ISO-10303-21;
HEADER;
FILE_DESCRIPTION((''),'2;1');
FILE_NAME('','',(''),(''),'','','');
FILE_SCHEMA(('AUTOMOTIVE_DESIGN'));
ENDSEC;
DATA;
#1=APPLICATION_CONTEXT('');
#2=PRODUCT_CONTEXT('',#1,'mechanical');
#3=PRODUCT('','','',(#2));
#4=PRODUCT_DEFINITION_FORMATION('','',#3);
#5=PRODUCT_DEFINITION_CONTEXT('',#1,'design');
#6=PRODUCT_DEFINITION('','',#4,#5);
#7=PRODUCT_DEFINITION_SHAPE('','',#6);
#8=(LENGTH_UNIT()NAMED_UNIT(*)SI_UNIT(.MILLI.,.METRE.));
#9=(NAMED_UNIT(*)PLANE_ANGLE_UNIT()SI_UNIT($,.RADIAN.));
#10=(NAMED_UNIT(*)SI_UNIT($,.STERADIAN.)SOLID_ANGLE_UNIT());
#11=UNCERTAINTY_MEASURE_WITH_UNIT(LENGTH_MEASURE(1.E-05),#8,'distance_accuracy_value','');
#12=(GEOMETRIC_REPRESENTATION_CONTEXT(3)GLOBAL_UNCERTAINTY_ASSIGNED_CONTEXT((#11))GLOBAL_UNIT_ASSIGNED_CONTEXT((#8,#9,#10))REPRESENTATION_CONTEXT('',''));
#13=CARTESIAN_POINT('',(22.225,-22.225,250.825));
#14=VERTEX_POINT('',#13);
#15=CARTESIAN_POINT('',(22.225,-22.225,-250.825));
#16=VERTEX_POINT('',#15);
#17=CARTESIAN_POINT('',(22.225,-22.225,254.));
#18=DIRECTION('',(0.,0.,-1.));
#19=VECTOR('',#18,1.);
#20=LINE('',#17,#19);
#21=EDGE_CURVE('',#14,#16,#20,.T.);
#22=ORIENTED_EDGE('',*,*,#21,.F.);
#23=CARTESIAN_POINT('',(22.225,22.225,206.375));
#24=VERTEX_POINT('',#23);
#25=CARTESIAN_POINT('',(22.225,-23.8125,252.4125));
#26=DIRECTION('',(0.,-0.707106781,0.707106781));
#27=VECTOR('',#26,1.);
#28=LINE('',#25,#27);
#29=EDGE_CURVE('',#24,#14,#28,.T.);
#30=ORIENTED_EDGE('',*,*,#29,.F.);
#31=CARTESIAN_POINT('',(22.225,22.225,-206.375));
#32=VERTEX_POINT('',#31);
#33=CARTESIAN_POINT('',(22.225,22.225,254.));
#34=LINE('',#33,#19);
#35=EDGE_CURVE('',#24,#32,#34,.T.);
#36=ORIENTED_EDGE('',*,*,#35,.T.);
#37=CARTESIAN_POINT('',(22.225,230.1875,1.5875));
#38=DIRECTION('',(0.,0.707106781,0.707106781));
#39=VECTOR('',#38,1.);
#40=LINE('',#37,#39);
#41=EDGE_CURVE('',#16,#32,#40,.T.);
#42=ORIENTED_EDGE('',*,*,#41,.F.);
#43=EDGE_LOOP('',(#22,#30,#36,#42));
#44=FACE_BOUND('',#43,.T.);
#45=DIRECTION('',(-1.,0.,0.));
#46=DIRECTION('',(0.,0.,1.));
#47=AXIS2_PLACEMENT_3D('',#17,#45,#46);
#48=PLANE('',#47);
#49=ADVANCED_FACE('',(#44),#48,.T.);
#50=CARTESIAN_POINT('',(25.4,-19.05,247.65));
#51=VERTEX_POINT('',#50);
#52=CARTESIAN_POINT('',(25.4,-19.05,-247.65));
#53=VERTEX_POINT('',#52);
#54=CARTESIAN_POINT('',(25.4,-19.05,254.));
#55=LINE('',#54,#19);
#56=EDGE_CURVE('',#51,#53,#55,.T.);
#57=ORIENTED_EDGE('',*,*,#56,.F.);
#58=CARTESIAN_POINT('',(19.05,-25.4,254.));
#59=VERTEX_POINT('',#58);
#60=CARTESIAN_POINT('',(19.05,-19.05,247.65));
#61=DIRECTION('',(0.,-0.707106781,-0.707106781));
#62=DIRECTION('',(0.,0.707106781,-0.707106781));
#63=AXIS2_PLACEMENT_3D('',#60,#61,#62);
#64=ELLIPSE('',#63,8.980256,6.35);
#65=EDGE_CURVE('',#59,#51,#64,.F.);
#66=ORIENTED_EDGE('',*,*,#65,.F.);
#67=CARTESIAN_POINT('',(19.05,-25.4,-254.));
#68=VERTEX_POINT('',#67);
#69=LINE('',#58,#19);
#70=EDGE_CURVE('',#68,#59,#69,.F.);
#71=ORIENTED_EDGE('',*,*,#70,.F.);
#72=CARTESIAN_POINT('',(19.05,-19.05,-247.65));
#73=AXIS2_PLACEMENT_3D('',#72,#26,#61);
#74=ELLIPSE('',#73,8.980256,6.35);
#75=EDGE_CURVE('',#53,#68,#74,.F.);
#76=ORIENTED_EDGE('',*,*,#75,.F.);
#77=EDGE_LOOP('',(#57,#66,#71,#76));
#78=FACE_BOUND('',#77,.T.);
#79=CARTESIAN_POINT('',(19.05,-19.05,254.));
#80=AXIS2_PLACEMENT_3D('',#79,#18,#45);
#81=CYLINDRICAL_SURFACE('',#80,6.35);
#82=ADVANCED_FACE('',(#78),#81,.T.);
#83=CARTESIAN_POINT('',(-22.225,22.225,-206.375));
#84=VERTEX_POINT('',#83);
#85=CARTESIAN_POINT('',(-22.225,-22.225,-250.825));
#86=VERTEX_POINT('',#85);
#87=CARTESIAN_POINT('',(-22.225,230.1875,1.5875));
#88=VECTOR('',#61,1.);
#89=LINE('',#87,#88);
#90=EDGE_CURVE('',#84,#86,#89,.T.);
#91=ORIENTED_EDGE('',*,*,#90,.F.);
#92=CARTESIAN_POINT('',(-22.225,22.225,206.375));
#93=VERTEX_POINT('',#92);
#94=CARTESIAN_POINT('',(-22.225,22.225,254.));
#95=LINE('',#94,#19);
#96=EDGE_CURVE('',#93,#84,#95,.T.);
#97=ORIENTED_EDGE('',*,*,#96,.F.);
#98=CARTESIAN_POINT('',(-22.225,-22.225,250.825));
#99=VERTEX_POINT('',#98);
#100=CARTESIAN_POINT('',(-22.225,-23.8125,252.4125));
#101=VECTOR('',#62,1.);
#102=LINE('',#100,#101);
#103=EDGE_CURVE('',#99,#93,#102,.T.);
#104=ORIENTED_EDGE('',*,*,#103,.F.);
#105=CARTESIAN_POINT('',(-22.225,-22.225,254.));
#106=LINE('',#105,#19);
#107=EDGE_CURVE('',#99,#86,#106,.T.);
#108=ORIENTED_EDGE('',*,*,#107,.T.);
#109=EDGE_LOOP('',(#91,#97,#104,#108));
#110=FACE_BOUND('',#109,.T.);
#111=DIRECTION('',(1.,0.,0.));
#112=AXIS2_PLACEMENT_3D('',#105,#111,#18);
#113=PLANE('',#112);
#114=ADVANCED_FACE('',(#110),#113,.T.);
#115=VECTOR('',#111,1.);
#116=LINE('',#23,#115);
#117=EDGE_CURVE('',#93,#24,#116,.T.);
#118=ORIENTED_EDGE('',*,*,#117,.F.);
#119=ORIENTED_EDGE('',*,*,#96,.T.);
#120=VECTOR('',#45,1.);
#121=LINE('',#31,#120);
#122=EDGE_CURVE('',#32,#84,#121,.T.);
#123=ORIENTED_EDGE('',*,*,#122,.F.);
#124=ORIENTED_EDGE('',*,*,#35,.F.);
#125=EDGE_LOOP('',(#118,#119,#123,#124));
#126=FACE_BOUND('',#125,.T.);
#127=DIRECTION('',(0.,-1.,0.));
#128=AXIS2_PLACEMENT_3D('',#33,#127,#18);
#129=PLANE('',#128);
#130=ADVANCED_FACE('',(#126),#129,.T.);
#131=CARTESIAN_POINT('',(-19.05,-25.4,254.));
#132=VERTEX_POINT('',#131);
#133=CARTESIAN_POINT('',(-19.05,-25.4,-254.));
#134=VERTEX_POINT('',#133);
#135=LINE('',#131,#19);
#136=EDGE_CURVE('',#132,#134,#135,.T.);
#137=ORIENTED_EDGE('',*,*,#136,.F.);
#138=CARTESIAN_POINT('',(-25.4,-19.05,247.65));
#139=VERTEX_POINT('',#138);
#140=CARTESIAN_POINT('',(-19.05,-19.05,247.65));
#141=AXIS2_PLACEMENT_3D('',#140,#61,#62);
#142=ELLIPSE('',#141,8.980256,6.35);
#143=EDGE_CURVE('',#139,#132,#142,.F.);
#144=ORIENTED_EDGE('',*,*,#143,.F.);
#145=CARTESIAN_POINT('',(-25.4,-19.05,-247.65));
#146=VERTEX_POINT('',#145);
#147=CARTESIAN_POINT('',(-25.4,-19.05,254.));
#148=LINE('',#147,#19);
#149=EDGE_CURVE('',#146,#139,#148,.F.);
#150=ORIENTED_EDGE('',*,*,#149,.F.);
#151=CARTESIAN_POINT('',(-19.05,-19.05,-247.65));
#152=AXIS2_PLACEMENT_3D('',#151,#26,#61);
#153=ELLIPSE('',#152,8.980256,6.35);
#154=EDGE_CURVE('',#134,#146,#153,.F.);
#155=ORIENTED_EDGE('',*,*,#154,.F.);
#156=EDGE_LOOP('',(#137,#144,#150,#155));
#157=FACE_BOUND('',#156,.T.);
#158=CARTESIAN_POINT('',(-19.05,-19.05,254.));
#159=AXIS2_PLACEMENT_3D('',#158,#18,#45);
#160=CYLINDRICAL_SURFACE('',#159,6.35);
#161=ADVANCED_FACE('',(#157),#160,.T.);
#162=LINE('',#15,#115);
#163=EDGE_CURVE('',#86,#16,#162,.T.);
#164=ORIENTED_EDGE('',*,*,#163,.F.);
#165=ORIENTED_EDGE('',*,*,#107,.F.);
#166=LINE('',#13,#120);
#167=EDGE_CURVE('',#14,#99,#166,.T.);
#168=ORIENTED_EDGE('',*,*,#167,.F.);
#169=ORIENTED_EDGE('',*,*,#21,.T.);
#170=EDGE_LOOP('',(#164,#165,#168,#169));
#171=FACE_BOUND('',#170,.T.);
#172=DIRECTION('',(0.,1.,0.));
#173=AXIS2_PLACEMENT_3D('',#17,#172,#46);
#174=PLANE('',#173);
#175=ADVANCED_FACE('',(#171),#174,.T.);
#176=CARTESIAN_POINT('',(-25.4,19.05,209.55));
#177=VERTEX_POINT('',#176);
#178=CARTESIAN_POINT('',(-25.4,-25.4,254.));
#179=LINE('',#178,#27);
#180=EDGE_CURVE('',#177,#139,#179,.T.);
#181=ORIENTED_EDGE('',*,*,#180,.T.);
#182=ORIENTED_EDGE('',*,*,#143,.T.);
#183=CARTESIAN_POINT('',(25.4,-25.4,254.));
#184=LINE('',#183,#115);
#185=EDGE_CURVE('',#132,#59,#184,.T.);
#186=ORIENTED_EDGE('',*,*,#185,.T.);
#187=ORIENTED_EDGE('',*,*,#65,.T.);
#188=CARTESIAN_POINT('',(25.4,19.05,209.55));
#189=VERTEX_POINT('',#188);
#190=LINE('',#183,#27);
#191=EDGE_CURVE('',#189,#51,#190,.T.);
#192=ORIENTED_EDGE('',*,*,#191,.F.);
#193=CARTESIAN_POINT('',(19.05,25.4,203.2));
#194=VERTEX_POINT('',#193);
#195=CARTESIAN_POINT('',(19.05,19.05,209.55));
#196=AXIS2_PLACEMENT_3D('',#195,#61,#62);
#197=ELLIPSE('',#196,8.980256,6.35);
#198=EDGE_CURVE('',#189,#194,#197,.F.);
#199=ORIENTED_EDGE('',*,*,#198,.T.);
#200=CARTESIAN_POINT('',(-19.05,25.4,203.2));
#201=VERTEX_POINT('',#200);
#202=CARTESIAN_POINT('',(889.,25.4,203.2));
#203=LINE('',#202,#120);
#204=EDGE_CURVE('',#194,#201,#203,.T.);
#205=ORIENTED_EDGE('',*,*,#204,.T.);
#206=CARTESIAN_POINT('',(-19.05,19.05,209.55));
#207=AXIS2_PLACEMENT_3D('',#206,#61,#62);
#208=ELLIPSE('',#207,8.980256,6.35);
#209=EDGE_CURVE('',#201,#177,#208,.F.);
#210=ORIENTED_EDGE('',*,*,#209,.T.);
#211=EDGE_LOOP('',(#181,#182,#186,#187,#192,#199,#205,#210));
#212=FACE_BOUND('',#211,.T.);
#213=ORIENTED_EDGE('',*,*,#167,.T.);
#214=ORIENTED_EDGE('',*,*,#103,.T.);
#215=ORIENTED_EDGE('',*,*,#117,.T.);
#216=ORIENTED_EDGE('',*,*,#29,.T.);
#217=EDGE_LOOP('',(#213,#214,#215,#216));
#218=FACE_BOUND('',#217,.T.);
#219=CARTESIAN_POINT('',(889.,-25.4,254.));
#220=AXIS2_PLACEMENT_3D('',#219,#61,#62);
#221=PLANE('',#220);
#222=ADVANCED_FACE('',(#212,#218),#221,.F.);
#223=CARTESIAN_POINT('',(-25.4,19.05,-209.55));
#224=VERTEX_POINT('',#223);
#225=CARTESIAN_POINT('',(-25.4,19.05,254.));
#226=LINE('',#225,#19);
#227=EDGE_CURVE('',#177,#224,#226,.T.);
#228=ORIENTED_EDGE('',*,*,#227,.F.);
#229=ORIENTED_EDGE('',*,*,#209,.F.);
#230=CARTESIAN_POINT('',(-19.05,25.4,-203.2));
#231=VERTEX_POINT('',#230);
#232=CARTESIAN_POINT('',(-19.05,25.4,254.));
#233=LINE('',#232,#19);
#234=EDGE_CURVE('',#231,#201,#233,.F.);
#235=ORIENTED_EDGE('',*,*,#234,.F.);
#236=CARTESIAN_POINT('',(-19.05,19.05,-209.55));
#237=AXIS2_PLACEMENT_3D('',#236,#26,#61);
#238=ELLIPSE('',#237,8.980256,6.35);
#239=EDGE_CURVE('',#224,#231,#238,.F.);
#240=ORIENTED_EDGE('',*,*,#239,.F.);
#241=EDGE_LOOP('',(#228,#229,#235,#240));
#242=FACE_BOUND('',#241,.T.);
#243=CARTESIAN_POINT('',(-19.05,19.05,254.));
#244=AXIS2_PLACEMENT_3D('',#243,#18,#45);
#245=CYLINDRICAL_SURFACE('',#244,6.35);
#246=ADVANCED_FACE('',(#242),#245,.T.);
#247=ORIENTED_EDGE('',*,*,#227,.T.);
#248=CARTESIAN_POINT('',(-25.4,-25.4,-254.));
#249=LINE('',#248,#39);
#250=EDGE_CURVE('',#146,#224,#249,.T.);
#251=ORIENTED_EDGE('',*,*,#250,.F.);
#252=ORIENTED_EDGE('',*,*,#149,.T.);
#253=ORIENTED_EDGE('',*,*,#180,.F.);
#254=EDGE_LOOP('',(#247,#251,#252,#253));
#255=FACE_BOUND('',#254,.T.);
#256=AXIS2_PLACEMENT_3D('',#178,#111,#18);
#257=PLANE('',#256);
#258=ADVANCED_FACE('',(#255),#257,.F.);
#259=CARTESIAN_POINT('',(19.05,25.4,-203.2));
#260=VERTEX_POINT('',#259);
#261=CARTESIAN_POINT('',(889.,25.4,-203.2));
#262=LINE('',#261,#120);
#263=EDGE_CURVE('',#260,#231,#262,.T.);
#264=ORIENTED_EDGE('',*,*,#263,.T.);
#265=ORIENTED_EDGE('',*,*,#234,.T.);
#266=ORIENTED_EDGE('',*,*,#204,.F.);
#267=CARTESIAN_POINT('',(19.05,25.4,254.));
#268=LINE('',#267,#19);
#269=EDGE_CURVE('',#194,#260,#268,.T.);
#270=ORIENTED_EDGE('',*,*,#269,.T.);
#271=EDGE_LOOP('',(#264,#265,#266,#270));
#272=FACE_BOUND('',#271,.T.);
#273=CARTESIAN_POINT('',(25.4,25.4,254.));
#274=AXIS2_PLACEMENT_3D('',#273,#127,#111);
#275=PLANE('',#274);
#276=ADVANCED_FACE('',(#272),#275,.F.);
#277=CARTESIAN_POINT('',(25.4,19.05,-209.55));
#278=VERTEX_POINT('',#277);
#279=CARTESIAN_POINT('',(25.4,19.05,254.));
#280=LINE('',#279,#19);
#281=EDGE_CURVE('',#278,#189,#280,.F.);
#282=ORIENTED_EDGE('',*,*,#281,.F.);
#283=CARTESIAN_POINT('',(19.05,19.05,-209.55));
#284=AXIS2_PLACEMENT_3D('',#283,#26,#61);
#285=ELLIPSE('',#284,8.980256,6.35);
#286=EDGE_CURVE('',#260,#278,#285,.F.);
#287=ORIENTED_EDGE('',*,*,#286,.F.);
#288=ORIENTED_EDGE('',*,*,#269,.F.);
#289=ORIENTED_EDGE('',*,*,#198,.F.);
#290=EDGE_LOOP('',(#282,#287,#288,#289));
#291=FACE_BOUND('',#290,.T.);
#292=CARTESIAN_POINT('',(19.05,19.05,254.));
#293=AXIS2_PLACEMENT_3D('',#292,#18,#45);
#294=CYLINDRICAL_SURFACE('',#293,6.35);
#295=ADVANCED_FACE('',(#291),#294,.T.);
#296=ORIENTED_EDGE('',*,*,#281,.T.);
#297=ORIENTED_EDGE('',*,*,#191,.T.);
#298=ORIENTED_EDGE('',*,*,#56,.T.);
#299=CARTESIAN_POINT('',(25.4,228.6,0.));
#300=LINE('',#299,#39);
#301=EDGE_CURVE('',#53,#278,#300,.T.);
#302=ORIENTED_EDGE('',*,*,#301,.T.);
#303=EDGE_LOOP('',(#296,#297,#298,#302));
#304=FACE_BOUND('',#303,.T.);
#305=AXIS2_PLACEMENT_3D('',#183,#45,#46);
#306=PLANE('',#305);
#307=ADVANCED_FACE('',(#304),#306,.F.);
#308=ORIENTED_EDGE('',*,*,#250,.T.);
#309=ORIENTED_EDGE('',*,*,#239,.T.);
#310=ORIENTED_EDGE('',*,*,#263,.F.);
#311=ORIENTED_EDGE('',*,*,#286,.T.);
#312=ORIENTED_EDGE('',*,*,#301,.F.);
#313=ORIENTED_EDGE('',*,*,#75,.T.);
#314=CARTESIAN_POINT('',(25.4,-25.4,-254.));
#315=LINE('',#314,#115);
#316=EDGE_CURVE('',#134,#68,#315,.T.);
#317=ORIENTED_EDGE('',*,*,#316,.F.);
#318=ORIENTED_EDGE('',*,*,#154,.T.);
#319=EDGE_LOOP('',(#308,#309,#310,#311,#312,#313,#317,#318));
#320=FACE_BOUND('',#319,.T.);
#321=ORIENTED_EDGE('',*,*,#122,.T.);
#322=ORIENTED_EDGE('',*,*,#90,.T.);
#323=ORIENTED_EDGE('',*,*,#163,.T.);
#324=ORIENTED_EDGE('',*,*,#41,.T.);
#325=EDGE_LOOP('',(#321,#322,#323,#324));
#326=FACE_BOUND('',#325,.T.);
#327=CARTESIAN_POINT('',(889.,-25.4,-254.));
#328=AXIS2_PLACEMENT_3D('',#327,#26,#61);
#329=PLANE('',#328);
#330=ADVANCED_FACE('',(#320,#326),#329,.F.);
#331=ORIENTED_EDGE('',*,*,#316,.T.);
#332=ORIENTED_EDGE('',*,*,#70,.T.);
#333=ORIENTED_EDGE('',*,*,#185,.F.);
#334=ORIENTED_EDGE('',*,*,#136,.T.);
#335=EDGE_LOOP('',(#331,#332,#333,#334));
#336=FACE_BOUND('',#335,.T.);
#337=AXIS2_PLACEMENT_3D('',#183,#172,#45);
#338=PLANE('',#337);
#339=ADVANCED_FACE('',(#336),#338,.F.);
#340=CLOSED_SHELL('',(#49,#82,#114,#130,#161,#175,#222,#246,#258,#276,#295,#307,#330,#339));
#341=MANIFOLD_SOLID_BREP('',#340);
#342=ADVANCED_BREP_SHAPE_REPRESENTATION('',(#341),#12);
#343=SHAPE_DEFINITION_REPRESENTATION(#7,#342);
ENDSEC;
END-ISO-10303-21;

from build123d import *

# Parameters (mm, degrees)
SKETCH1_W           = 50.8
SKETCH1_H           = 50.8
SKETCH1_W_2         = 44.45
SKETCH1_H_2         = 44.45
BOSS_EXTRUDE1_DEPTH = 254
FILLET1_R           = 6.35
CUT_EXTRUDE1_DEPTH  = 914.4


with BuildPart() as part:
    # Sketch1 → Boss-Extrude1 (new, symmetric)
    with BuildSketch(Plane.XY):
        Rectangle(SKETCH1_W, SKETCH1_H)
        Rectangle(SKETCH1_W_2, SKETCH1_H_2, mode=Mode.SUBTRACT)
    extrude(amount=BOSS_EXTRUDE1_DEPTH, both=True)

    # Fillet1
    fillet1_edges = [part.edges().sort_by_distance(p)[0] for p in [
        (-25.4, 25.4, 0),
        (25.4, 25.4, 0),
        (25.4, -25.4, 0),
        (-25.4, -25.4, 0),
    ]]
    fillet(fillet1_edges, radius=FILLET1_R)

    # Sketch2 → Cut-Extrude1 (cut)
    with BuildSketch(Plane.ZY.offset(25.4)):
        Polygon((254, -25.4), (203.2, 25.4), (254, 25.4), align=None)
        Polygon((-254, 25.4), (-254, -25.4), (-203.2, 25.4), align=None)
    extrude(amount=-CUT_EXTRUDE1_DEPTH, mode=Mode.SUBTRACT)


solid = part.part
